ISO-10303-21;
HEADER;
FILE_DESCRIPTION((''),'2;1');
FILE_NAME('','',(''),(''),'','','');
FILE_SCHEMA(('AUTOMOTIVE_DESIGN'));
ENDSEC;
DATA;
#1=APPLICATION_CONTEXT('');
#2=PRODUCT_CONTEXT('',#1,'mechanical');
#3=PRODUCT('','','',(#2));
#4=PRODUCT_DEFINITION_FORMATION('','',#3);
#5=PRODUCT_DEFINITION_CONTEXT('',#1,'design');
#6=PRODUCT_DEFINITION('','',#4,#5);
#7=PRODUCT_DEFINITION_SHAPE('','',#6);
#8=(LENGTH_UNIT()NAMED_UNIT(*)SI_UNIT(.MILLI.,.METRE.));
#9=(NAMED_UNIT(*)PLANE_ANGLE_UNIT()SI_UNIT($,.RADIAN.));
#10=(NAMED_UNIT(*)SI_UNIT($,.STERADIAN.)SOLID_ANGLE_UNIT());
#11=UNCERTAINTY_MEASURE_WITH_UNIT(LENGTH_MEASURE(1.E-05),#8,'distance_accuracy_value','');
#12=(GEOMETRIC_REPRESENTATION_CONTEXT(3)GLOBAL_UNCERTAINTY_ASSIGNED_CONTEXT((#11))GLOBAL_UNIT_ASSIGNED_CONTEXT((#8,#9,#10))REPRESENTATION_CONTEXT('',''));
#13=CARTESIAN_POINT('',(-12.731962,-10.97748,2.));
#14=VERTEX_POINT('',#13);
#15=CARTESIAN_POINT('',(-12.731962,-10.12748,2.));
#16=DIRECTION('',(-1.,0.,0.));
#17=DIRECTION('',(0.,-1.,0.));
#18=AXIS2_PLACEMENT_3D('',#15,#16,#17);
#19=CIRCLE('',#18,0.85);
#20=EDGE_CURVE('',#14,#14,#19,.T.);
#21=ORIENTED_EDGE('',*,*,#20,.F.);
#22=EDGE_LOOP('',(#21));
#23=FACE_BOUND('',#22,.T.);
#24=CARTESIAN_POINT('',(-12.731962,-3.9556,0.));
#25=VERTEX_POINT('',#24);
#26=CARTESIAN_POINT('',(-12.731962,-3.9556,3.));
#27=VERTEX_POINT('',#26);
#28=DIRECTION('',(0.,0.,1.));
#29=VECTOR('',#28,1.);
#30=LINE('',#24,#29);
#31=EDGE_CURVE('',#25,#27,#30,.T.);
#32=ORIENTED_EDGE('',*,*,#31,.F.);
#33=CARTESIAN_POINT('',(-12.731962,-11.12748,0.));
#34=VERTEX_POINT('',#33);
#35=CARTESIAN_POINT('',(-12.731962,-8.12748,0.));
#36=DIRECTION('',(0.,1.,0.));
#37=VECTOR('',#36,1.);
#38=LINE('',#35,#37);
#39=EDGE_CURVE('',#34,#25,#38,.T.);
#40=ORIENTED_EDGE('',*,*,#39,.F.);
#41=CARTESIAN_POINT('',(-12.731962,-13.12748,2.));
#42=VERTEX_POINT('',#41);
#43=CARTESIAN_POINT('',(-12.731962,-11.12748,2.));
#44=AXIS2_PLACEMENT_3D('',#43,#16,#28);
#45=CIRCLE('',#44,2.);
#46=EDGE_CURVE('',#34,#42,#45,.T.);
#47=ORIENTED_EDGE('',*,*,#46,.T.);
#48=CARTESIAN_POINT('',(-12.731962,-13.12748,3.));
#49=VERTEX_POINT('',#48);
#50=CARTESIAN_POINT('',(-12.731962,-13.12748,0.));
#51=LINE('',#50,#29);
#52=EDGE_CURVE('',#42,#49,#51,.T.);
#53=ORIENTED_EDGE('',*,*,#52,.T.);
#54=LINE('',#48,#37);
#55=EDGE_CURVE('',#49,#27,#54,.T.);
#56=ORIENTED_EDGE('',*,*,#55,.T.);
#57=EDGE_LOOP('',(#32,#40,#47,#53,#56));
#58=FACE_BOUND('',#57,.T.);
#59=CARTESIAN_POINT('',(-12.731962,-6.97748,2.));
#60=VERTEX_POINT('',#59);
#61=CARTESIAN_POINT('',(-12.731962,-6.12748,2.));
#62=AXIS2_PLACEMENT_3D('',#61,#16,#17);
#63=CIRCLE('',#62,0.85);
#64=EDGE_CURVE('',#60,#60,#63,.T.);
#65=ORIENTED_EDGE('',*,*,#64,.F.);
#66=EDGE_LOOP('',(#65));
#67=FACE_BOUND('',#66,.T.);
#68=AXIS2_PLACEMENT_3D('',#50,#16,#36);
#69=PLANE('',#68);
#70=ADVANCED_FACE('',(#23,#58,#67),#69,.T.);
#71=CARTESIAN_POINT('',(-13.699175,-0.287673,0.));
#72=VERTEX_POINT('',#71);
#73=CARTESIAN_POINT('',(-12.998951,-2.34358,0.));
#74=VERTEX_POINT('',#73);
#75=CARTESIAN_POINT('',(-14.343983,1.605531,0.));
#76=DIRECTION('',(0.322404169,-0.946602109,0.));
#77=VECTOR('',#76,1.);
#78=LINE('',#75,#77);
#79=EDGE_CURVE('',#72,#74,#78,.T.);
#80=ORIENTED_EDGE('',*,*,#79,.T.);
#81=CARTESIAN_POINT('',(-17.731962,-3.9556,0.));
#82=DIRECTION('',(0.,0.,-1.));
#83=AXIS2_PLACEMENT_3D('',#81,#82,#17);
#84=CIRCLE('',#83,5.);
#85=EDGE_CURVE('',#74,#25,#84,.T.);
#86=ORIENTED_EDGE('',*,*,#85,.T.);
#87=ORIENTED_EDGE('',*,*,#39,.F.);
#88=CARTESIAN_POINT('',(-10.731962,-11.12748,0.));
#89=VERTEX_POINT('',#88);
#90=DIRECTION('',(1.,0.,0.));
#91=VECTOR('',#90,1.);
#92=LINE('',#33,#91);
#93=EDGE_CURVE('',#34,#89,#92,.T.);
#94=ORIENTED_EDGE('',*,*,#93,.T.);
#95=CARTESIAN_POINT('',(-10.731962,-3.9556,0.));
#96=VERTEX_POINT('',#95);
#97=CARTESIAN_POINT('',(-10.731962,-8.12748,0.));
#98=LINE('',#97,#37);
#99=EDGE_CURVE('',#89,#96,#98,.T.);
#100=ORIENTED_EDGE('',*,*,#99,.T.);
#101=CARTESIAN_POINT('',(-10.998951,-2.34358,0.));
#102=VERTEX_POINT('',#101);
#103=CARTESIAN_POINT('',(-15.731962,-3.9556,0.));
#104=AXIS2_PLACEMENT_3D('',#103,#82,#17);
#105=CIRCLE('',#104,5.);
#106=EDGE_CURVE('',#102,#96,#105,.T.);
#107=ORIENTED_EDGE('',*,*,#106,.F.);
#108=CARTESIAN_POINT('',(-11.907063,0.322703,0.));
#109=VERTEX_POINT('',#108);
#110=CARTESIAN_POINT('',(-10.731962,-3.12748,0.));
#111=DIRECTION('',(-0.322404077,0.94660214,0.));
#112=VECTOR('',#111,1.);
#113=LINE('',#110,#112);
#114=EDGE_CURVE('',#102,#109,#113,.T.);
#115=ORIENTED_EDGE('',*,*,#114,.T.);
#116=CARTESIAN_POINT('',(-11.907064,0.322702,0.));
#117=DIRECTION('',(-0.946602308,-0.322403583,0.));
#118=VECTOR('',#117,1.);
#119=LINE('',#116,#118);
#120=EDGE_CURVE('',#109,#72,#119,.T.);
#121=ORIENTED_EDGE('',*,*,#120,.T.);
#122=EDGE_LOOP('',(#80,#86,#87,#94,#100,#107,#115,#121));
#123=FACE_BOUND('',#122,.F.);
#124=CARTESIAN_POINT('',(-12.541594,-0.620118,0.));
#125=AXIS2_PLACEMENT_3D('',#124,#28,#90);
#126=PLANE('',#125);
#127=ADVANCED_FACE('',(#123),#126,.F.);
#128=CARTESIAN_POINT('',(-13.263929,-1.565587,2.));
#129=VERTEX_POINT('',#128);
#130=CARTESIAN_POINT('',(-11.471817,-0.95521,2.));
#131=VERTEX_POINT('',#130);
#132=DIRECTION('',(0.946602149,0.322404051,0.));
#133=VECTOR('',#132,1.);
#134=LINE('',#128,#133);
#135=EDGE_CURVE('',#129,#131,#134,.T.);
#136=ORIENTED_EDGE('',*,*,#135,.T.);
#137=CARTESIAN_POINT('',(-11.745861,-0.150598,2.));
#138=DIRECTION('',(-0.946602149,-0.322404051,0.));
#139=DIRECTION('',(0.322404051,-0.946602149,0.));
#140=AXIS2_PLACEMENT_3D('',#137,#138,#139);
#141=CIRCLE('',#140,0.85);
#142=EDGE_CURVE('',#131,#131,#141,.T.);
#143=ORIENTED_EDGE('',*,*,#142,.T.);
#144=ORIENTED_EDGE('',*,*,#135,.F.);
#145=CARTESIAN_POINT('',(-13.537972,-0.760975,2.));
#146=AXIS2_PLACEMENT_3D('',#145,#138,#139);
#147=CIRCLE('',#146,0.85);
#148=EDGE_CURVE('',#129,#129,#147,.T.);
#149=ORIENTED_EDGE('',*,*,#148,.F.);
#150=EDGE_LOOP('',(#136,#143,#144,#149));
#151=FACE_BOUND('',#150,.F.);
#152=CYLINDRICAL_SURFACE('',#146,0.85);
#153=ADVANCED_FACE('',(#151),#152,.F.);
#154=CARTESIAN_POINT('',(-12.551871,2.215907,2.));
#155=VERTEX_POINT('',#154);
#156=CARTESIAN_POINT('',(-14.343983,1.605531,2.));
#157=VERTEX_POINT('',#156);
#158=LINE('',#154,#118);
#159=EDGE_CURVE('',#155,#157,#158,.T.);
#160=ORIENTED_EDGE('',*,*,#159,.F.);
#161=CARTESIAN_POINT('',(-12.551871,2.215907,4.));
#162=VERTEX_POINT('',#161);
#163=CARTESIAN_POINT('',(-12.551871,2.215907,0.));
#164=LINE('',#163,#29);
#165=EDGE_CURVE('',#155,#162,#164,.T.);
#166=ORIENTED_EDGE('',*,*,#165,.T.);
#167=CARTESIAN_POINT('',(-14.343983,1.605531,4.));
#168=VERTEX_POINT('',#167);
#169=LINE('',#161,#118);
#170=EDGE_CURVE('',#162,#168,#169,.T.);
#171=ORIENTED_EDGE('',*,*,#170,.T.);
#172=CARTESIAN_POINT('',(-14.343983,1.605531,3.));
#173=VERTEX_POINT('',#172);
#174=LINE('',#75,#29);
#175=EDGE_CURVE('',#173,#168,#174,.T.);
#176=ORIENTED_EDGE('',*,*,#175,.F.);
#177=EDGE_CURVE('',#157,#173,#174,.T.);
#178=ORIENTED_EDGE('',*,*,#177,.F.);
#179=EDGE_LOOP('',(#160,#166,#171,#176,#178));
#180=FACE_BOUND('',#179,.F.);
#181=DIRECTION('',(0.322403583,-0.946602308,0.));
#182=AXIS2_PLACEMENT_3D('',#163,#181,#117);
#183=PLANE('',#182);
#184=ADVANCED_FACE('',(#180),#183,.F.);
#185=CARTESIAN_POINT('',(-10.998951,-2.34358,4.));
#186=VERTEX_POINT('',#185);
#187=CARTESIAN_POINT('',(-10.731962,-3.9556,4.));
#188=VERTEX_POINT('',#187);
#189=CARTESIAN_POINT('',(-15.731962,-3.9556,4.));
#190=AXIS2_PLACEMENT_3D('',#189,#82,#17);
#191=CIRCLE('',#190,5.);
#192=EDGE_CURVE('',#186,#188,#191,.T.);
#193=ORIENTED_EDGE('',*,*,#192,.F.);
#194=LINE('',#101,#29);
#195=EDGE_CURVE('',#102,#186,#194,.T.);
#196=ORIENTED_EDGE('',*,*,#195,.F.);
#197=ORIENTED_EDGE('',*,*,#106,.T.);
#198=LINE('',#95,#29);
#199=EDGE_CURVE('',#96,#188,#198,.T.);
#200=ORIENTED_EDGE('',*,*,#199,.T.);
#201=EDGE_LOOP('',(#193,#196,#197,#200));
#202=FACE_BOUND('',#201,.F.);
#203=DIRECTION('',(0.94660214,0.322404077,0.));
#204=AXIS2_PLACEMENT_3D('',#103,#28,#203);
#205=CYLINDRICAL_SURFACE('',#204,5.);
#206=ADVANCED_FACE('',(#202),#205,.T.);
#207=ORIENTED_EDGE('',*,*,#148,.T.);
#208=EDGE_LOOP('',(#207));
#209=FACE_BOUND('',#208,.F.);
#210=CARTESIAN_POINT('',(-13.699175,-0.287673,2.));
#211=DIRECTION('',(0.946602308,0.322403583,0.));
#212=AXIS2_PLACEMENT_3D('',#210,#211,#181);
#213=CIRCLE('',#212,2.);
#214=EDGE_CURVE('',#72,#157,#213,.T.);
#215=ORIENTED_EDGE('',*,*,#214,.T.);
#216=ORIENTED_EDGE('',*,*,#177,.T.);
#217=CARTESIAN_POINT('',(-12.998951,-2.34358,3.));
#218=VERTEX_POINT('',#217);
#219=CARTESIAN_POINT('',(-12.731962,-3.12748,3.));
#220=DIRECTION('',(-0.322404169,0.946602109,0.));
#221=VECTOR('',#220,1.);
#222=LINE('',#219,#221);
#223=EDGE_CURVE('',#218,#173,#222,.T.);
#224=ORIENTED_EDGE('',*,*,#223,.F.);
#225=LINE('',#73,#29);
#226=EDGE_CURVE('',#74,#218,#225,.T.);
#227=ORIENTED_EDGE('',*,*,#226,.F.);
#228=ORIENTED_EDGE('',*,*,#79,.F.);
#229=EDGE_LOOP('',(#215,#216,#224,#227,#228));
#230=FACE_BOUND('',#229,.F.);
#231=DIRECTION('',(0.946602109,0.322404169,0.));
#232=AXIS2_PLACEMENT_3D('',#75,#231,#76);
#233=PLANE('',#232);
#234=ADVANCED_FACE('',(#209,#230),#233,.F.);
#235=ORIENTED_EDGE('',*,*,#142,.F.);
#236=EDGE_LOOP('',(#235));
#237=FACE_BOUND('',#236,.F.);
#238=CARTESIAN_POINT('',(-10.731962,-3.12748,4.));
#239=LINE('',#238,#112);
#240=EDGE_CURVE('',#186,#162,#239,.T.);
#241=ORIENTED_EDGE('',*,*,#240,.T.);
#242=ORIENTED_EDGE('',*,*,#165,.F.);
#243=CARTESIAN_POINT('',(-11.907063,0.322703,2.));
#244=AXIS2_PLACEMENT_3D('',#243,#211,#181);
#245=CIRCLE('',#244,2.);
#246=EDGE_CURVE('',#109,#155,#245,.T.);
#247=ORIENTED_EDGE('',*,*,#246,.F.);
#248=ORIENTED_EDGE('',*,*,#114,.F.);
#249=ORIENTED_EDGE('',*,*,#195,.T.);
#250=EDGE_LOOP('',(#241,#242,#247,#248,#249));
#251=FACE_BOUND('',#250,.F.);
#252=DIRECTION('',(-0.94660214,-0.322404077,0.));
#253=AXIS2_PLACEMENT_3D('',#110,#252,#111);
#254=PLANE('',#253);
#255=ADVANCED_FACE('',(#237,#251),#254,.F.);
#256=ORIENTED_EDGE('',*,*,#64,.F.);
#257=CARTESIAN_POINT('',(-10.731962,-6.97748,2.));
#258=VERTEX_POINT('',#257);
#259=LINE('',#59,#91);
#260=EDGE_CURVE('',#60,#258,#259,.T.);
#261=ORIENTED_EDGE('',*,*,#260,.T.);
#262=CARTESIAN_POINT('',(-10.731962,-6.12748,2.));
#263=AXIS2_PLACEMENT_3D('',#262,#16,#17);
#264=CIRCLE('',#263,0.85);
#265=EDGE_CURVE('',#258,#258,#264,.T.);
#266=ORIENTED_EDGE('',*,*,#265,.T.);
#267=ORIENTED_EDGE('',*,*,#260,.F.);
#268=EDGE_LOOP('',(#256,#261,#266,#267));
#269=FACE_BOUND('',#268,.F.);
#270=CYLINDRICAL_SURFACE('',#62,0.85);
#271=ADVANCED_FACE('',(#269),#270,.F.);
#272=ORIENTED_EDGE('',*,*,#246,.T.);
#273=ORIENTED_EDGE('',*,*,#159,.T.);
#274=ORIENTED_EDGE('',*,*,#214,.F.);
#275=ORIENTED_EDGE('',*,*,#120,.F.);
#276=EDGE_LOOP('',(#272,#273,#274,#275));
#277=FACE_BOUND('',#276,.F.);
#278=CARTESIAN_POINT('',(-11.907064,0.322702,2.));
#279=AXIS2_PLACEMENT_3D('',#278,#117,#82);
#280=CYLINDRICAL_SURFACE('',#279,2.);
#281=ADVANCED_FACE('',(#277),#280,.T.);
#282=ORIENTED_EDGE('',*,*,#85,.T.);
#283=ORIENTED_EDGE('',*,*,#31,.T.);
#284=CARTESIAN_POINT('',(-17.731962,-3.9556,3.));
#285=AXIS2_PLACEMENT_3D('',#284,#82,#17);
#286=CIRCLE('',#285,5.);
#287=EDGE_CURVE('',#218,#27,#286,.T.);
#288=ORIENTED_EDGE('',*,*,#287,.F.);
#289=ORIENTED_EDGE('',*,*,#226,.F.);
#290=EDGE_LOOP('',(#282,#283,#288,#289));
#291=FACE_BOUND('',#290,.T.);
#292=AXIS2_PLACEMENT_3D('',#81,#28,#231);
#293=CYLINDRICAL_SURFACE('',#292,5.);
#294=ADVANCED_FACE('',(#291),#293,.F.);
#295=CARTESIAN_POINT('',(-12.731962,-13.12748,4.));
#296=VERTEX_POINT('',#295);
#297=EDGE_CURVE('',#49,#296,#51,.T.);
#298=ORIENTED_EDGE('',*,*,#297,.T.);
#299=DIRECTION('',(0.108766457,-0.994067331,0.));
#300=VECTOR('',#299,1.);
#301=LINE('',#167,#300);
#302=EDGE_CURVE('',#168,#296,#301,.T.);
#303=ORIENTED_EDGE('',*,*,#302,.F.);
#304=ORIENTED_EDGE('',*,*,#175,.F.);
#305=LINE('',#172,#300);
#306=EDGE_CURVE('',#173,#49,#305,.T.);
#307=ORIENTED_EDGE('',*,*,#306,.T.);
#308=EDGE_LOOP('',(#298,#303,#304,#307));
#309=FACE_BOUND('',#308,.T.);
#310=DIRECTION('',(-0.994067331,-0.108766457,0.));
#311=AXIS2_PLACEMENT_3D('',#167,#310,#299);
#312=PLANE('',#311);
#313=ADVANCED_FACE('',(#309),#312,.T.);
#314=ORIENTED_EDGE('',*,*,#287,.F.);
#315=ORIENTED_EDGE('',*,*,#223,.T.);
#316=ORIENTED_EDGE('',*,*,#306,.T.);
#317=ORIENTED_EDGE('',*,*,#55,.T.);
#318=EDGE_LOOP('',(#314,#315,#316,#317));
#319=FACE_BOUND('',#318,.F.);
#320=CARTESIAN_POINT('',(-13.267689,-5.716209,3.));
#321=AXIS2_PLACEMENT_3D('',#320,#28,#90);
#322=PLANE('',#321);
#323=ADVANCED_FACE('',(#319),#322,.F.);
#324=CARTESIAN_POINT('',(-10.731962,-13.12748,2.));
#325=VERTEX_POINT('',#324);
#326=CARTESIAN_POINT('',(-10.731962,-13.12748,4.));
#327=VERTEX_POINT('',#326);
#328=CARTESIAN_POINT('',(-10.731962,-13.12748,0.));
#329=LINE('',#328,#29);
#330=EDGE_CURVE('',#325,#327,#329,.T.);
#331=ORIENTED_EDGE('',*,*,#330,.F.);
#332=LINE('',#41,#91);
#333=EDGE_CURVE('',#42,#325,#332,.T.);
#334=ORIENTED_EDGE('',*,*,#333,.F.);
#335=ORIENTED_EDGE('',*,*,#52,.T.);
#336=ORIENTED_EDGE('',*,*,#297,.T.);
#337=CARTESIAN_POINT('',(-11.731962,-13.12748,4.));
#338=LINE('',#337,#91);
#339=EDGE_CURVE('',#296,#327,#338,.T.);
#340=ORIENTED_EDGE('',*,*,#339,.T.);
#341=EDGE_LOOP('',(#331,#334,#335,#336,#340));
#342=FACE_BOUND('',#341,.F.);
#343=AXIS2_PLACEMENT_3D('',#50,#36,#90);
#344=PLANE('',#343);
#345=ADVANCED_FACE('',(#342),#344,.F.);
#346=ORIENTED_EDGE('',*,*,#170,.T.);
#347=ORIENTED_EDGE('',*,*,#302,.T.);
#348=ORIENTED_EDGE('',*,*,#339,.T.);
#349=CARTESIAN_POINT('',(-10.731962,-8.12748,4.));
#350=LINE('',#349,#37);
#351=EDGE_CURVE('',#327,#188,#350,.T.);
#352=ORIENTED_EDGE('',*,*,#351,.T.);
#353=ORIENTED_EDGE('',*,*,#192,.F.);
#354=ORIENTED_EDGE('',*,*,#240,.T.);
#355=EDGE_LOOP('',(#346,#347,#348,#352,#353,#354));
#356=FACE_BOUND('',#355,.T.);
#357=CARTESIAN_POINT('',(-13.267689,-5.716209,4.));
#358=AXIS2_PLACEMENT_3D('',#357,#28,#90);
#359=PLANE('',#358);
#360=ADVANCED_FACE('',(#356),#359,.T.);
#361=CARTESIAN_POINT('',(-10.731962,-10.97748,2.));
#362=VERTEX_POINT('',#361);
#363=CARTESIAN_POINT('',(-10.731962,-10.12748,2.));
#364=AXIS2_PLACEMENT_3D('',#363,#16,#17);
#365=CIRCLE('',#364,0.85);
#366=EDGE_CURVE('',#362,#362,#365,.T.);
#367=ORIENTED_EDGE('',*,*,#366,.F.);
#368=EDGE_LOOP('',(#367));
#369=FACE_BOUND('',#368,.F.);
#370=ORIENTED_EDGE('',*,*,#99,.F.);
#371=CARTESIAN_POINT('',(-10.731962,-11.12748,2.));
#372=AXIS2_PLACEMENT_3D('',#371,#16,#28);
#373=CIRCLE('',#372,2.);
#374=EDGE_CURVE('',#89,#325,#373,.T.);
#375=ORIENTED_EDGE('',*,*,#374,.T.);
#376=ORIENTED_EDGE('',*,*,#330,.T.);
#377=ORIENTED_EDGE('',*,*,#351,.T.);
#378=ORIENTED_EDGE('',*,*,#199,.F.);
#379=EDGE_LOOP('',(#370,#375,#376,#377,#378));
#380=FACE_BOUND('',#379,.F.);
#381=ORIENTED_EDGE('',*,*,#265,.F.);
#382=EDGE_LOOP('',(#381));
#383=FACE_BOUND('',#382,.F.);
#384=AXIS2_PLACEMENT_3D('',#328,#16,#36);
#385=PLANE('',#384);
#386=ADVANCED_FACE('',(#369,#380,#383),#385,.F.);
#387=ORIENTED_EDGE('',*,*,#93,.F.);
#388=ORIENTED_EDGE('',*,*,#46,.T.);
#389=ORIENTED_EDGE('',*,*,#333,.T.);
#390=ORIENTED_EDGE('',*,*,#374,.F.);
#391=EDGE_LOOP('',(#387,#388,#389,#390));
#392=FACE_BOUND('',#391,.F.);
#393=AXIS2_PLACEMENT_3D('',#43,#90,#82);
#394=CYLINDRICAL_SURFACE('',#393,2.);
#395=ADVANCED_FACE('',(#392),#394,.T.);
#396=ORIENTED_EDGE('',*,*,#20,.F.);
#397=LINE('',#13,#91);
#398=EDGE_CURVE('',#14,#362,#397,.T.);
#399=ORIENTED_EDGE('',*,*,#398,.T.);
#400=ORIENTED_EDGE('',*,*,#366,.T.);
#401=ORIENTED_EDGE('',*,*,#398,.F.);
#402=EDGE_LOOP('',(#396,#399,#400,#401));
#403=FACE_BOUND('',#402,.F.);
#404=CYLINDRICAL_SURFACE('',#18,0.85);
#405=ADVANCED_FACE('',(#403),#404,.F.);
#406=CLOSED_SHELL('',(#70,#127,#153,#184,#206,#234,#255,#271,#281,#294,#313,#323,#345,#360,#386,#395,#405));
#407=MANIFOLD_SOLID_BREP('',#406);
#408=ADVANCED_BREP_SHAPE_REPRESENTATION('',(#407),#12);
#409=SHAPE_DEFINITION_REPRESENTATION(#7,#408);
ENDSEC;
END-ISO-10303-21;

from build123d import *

# Parameters (mm, degrees)
F0_W     = 2
F0_H     = 10
F1_DEPTH = 4
F3_DEPTH = 1
F4_R     = 0.85
F5_DEPTH = 25
F6_R     = 0.85
F7_DEPTH = 25
F8_R     = 5
F9_R     = 5
F10_R    = 2


with BuildPart() as f1:
    # F0 (on Top) → F1 (new body)
    with BuildSketch(Plane.XY):
        Polygon((-14.343983, 1.605531), (-12.731962, -3.12748), (-10.731962, -3.12748), (-12.551871, 2.215907), align=None)
        with Locations((-11.731962, -8.12748)):
            Rectangle(F0_W, F0_H)
    extrude(amount=F1_DEPTH)

    # F2 (on face) → F3 (join)
    with BuildSketch(Plane.XY.offset(4)):
        Polygon((-12.731962, -3.12748), (-14.343983, 1.605531), (-12.731962, -13.12748), align=None)
    extrude(amount=-F3_DEPTH)

    # F4 (on face) → F5 (cut)
    with BuildSketch(Plane(origin=(-12.363017, -4.210731, 0), x_dir=(0.322404, -0.946602, 0), z_dir=(-0.946602, -0.322404, 0))):
        with Locations((-3.644357, 2)):
            Circle(F4_R)
    extrude(amount=-F5_DEPTH, mode=Mode.SUBTRACT)

    # F6 (on face) → F7 (cut)
    with BuildSketch(Plane(origin=(-12.731962, 0, 0), x_dir=(0, -1, 0), z_dir=(-1, 0, 0))):
        with Locations((6.12748, 2)):
            Circle(F6_R)
        with Locations((10.12748, 2)):
            Circle(F6_R)
    extrude(amount=-F7_DEPTH, mode=Mode.SUBTRACT)

    # F8
    f8_edges = [f1.edges().sort_by_distance(p)[0] for p in [
        (-12.731962, -3.12748, 1.5),
    ]]
    fillet(f8_edges, radius=F8_R)

    # F9
    f9_edges = [f1.edges().sort_by_distance(p)[0] for p in [
        (-10.731962, -3.12748, 2),
    ]]
    fillet(f9_edges, radius=F9_R)

    # F10
    f10_edges = [f1.edges().sort_by_distance(p)[0] for p in [
        (-11.731962, -13.12748, 0),
        (-13.447927, 1.910719, 0),
    ]]
    fillet(f10_edges, radius=F10_R)


solid = f1.part
